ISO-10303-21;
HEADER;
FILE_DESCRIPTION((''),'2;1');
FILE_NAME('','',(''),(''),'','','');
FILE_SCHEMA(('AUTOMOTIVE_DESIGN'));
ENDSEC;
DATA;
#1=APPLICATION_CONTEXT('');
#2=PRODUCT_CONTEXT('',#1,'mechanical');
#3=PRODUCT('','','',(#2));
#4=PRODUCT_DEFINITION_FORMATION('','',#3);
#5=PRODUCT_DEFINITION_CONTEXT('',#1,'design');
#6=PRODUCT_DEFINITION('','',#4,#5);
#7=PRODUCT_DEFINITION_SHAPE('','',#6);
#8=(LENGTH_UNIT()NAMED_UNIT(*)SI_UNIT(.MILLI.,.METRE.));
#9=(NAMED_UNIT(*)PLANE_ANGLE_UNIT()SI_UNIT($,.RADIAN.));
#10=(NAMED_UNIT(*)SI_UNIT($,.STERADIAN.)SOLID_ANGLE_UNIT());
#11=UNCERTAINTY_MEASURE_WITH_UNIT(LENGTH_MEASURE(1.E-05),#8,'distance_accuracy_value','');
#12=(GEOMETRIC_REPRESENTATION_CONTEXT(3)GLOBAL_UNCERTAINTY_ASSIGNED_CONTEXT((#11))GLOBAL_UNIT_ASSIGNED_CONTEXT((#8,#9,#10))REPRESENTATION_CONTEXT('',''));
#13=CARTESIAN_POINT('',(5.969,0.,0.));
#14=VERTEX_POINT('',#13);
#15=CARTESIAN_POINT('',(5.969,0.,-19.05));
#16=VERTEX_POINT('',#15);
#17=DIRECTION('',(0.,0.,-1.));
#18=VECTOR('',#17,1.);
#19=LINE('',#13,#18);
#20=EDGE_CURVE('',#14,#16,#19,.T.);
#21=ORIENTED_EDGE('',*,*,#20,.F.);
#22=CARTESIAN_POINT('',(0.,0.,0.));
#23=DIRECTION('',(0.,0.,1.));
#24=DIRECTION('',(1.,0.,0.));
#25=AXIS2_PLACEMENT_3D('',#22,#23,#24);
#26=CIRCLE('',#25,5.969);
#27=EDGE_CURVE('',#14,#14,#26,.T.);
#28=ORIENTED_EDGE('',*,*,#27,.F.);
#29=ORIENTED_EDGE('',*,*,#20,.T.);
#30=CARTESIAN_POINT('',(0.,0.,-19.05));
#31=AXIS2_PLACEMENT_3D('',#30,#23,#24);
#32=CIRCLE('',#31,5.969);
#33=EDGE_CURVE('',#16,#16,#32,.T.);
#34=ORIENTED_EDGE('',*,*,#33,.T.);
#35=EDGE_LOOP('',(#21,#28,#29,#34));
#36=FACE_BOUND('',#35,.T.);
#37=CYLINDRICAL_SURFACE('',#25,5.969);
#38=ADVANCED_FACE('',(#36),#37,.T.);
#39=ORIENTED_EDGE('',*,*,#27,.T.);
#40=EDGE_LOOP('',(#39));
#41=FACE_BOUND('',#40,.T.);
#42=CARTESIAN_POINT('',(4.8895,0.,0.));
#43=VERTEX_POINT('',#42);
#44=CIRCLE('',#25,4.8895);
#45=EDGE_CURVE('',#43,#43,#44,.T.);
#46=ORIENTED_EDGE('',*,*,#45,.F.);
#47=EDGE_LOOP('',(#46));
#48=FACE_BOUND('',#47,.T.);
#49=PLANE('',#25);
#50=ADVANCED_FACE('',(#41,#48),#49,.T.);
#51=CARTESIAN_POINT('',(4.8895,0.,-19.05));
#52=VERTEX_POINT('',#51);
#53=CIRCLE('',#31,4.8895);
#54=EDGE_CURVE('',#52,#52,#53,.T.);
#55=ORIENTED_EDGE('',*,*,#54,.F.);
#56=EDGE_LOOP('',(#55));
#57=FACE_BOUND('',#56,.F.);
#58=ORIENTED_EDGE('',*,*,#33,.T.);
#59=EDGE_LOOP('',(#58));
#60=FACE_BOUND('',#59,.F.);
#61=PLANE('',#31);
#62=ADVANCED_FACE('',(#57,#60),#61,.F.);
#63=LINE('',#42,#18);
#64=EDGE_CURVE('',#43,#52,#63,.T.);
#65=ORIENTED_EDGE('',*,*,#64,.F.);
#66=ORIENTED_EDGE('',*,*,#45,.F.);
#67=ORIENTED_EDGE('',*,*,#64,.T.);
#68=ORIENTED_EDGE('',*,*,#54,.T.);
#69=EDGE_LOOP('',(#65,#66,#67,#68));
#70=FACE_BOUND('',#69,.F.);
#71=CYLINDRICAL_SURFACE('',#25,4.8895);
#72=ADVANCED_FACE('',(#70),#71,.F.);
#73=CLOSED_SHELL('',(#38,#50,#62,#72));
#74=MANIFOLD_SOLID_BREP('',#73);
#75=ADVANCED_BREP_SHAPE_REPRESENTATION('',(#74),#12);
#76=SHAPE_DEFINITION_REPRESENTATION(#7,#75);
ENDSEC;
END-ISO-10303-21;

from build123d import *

# Parameters (mm, degrees)
F0_R     = 5.969
F0_R_2   = 4.8895
F1_DEPTH = 19.05


with BuildPart() as f1:
    # F0 (on Top) → F1 (new body)
    with BuildSketch(Plane.XY):
        Circle(F0_R)
        Circle(F0_R_2, mode=Mode.SUBTRACT)
    extrude(amount=-F1_DEPTH)


with BuildPart() as f2_1:
    # F2: copy of F1
    add(f1.part)


solid = f2_1.part
